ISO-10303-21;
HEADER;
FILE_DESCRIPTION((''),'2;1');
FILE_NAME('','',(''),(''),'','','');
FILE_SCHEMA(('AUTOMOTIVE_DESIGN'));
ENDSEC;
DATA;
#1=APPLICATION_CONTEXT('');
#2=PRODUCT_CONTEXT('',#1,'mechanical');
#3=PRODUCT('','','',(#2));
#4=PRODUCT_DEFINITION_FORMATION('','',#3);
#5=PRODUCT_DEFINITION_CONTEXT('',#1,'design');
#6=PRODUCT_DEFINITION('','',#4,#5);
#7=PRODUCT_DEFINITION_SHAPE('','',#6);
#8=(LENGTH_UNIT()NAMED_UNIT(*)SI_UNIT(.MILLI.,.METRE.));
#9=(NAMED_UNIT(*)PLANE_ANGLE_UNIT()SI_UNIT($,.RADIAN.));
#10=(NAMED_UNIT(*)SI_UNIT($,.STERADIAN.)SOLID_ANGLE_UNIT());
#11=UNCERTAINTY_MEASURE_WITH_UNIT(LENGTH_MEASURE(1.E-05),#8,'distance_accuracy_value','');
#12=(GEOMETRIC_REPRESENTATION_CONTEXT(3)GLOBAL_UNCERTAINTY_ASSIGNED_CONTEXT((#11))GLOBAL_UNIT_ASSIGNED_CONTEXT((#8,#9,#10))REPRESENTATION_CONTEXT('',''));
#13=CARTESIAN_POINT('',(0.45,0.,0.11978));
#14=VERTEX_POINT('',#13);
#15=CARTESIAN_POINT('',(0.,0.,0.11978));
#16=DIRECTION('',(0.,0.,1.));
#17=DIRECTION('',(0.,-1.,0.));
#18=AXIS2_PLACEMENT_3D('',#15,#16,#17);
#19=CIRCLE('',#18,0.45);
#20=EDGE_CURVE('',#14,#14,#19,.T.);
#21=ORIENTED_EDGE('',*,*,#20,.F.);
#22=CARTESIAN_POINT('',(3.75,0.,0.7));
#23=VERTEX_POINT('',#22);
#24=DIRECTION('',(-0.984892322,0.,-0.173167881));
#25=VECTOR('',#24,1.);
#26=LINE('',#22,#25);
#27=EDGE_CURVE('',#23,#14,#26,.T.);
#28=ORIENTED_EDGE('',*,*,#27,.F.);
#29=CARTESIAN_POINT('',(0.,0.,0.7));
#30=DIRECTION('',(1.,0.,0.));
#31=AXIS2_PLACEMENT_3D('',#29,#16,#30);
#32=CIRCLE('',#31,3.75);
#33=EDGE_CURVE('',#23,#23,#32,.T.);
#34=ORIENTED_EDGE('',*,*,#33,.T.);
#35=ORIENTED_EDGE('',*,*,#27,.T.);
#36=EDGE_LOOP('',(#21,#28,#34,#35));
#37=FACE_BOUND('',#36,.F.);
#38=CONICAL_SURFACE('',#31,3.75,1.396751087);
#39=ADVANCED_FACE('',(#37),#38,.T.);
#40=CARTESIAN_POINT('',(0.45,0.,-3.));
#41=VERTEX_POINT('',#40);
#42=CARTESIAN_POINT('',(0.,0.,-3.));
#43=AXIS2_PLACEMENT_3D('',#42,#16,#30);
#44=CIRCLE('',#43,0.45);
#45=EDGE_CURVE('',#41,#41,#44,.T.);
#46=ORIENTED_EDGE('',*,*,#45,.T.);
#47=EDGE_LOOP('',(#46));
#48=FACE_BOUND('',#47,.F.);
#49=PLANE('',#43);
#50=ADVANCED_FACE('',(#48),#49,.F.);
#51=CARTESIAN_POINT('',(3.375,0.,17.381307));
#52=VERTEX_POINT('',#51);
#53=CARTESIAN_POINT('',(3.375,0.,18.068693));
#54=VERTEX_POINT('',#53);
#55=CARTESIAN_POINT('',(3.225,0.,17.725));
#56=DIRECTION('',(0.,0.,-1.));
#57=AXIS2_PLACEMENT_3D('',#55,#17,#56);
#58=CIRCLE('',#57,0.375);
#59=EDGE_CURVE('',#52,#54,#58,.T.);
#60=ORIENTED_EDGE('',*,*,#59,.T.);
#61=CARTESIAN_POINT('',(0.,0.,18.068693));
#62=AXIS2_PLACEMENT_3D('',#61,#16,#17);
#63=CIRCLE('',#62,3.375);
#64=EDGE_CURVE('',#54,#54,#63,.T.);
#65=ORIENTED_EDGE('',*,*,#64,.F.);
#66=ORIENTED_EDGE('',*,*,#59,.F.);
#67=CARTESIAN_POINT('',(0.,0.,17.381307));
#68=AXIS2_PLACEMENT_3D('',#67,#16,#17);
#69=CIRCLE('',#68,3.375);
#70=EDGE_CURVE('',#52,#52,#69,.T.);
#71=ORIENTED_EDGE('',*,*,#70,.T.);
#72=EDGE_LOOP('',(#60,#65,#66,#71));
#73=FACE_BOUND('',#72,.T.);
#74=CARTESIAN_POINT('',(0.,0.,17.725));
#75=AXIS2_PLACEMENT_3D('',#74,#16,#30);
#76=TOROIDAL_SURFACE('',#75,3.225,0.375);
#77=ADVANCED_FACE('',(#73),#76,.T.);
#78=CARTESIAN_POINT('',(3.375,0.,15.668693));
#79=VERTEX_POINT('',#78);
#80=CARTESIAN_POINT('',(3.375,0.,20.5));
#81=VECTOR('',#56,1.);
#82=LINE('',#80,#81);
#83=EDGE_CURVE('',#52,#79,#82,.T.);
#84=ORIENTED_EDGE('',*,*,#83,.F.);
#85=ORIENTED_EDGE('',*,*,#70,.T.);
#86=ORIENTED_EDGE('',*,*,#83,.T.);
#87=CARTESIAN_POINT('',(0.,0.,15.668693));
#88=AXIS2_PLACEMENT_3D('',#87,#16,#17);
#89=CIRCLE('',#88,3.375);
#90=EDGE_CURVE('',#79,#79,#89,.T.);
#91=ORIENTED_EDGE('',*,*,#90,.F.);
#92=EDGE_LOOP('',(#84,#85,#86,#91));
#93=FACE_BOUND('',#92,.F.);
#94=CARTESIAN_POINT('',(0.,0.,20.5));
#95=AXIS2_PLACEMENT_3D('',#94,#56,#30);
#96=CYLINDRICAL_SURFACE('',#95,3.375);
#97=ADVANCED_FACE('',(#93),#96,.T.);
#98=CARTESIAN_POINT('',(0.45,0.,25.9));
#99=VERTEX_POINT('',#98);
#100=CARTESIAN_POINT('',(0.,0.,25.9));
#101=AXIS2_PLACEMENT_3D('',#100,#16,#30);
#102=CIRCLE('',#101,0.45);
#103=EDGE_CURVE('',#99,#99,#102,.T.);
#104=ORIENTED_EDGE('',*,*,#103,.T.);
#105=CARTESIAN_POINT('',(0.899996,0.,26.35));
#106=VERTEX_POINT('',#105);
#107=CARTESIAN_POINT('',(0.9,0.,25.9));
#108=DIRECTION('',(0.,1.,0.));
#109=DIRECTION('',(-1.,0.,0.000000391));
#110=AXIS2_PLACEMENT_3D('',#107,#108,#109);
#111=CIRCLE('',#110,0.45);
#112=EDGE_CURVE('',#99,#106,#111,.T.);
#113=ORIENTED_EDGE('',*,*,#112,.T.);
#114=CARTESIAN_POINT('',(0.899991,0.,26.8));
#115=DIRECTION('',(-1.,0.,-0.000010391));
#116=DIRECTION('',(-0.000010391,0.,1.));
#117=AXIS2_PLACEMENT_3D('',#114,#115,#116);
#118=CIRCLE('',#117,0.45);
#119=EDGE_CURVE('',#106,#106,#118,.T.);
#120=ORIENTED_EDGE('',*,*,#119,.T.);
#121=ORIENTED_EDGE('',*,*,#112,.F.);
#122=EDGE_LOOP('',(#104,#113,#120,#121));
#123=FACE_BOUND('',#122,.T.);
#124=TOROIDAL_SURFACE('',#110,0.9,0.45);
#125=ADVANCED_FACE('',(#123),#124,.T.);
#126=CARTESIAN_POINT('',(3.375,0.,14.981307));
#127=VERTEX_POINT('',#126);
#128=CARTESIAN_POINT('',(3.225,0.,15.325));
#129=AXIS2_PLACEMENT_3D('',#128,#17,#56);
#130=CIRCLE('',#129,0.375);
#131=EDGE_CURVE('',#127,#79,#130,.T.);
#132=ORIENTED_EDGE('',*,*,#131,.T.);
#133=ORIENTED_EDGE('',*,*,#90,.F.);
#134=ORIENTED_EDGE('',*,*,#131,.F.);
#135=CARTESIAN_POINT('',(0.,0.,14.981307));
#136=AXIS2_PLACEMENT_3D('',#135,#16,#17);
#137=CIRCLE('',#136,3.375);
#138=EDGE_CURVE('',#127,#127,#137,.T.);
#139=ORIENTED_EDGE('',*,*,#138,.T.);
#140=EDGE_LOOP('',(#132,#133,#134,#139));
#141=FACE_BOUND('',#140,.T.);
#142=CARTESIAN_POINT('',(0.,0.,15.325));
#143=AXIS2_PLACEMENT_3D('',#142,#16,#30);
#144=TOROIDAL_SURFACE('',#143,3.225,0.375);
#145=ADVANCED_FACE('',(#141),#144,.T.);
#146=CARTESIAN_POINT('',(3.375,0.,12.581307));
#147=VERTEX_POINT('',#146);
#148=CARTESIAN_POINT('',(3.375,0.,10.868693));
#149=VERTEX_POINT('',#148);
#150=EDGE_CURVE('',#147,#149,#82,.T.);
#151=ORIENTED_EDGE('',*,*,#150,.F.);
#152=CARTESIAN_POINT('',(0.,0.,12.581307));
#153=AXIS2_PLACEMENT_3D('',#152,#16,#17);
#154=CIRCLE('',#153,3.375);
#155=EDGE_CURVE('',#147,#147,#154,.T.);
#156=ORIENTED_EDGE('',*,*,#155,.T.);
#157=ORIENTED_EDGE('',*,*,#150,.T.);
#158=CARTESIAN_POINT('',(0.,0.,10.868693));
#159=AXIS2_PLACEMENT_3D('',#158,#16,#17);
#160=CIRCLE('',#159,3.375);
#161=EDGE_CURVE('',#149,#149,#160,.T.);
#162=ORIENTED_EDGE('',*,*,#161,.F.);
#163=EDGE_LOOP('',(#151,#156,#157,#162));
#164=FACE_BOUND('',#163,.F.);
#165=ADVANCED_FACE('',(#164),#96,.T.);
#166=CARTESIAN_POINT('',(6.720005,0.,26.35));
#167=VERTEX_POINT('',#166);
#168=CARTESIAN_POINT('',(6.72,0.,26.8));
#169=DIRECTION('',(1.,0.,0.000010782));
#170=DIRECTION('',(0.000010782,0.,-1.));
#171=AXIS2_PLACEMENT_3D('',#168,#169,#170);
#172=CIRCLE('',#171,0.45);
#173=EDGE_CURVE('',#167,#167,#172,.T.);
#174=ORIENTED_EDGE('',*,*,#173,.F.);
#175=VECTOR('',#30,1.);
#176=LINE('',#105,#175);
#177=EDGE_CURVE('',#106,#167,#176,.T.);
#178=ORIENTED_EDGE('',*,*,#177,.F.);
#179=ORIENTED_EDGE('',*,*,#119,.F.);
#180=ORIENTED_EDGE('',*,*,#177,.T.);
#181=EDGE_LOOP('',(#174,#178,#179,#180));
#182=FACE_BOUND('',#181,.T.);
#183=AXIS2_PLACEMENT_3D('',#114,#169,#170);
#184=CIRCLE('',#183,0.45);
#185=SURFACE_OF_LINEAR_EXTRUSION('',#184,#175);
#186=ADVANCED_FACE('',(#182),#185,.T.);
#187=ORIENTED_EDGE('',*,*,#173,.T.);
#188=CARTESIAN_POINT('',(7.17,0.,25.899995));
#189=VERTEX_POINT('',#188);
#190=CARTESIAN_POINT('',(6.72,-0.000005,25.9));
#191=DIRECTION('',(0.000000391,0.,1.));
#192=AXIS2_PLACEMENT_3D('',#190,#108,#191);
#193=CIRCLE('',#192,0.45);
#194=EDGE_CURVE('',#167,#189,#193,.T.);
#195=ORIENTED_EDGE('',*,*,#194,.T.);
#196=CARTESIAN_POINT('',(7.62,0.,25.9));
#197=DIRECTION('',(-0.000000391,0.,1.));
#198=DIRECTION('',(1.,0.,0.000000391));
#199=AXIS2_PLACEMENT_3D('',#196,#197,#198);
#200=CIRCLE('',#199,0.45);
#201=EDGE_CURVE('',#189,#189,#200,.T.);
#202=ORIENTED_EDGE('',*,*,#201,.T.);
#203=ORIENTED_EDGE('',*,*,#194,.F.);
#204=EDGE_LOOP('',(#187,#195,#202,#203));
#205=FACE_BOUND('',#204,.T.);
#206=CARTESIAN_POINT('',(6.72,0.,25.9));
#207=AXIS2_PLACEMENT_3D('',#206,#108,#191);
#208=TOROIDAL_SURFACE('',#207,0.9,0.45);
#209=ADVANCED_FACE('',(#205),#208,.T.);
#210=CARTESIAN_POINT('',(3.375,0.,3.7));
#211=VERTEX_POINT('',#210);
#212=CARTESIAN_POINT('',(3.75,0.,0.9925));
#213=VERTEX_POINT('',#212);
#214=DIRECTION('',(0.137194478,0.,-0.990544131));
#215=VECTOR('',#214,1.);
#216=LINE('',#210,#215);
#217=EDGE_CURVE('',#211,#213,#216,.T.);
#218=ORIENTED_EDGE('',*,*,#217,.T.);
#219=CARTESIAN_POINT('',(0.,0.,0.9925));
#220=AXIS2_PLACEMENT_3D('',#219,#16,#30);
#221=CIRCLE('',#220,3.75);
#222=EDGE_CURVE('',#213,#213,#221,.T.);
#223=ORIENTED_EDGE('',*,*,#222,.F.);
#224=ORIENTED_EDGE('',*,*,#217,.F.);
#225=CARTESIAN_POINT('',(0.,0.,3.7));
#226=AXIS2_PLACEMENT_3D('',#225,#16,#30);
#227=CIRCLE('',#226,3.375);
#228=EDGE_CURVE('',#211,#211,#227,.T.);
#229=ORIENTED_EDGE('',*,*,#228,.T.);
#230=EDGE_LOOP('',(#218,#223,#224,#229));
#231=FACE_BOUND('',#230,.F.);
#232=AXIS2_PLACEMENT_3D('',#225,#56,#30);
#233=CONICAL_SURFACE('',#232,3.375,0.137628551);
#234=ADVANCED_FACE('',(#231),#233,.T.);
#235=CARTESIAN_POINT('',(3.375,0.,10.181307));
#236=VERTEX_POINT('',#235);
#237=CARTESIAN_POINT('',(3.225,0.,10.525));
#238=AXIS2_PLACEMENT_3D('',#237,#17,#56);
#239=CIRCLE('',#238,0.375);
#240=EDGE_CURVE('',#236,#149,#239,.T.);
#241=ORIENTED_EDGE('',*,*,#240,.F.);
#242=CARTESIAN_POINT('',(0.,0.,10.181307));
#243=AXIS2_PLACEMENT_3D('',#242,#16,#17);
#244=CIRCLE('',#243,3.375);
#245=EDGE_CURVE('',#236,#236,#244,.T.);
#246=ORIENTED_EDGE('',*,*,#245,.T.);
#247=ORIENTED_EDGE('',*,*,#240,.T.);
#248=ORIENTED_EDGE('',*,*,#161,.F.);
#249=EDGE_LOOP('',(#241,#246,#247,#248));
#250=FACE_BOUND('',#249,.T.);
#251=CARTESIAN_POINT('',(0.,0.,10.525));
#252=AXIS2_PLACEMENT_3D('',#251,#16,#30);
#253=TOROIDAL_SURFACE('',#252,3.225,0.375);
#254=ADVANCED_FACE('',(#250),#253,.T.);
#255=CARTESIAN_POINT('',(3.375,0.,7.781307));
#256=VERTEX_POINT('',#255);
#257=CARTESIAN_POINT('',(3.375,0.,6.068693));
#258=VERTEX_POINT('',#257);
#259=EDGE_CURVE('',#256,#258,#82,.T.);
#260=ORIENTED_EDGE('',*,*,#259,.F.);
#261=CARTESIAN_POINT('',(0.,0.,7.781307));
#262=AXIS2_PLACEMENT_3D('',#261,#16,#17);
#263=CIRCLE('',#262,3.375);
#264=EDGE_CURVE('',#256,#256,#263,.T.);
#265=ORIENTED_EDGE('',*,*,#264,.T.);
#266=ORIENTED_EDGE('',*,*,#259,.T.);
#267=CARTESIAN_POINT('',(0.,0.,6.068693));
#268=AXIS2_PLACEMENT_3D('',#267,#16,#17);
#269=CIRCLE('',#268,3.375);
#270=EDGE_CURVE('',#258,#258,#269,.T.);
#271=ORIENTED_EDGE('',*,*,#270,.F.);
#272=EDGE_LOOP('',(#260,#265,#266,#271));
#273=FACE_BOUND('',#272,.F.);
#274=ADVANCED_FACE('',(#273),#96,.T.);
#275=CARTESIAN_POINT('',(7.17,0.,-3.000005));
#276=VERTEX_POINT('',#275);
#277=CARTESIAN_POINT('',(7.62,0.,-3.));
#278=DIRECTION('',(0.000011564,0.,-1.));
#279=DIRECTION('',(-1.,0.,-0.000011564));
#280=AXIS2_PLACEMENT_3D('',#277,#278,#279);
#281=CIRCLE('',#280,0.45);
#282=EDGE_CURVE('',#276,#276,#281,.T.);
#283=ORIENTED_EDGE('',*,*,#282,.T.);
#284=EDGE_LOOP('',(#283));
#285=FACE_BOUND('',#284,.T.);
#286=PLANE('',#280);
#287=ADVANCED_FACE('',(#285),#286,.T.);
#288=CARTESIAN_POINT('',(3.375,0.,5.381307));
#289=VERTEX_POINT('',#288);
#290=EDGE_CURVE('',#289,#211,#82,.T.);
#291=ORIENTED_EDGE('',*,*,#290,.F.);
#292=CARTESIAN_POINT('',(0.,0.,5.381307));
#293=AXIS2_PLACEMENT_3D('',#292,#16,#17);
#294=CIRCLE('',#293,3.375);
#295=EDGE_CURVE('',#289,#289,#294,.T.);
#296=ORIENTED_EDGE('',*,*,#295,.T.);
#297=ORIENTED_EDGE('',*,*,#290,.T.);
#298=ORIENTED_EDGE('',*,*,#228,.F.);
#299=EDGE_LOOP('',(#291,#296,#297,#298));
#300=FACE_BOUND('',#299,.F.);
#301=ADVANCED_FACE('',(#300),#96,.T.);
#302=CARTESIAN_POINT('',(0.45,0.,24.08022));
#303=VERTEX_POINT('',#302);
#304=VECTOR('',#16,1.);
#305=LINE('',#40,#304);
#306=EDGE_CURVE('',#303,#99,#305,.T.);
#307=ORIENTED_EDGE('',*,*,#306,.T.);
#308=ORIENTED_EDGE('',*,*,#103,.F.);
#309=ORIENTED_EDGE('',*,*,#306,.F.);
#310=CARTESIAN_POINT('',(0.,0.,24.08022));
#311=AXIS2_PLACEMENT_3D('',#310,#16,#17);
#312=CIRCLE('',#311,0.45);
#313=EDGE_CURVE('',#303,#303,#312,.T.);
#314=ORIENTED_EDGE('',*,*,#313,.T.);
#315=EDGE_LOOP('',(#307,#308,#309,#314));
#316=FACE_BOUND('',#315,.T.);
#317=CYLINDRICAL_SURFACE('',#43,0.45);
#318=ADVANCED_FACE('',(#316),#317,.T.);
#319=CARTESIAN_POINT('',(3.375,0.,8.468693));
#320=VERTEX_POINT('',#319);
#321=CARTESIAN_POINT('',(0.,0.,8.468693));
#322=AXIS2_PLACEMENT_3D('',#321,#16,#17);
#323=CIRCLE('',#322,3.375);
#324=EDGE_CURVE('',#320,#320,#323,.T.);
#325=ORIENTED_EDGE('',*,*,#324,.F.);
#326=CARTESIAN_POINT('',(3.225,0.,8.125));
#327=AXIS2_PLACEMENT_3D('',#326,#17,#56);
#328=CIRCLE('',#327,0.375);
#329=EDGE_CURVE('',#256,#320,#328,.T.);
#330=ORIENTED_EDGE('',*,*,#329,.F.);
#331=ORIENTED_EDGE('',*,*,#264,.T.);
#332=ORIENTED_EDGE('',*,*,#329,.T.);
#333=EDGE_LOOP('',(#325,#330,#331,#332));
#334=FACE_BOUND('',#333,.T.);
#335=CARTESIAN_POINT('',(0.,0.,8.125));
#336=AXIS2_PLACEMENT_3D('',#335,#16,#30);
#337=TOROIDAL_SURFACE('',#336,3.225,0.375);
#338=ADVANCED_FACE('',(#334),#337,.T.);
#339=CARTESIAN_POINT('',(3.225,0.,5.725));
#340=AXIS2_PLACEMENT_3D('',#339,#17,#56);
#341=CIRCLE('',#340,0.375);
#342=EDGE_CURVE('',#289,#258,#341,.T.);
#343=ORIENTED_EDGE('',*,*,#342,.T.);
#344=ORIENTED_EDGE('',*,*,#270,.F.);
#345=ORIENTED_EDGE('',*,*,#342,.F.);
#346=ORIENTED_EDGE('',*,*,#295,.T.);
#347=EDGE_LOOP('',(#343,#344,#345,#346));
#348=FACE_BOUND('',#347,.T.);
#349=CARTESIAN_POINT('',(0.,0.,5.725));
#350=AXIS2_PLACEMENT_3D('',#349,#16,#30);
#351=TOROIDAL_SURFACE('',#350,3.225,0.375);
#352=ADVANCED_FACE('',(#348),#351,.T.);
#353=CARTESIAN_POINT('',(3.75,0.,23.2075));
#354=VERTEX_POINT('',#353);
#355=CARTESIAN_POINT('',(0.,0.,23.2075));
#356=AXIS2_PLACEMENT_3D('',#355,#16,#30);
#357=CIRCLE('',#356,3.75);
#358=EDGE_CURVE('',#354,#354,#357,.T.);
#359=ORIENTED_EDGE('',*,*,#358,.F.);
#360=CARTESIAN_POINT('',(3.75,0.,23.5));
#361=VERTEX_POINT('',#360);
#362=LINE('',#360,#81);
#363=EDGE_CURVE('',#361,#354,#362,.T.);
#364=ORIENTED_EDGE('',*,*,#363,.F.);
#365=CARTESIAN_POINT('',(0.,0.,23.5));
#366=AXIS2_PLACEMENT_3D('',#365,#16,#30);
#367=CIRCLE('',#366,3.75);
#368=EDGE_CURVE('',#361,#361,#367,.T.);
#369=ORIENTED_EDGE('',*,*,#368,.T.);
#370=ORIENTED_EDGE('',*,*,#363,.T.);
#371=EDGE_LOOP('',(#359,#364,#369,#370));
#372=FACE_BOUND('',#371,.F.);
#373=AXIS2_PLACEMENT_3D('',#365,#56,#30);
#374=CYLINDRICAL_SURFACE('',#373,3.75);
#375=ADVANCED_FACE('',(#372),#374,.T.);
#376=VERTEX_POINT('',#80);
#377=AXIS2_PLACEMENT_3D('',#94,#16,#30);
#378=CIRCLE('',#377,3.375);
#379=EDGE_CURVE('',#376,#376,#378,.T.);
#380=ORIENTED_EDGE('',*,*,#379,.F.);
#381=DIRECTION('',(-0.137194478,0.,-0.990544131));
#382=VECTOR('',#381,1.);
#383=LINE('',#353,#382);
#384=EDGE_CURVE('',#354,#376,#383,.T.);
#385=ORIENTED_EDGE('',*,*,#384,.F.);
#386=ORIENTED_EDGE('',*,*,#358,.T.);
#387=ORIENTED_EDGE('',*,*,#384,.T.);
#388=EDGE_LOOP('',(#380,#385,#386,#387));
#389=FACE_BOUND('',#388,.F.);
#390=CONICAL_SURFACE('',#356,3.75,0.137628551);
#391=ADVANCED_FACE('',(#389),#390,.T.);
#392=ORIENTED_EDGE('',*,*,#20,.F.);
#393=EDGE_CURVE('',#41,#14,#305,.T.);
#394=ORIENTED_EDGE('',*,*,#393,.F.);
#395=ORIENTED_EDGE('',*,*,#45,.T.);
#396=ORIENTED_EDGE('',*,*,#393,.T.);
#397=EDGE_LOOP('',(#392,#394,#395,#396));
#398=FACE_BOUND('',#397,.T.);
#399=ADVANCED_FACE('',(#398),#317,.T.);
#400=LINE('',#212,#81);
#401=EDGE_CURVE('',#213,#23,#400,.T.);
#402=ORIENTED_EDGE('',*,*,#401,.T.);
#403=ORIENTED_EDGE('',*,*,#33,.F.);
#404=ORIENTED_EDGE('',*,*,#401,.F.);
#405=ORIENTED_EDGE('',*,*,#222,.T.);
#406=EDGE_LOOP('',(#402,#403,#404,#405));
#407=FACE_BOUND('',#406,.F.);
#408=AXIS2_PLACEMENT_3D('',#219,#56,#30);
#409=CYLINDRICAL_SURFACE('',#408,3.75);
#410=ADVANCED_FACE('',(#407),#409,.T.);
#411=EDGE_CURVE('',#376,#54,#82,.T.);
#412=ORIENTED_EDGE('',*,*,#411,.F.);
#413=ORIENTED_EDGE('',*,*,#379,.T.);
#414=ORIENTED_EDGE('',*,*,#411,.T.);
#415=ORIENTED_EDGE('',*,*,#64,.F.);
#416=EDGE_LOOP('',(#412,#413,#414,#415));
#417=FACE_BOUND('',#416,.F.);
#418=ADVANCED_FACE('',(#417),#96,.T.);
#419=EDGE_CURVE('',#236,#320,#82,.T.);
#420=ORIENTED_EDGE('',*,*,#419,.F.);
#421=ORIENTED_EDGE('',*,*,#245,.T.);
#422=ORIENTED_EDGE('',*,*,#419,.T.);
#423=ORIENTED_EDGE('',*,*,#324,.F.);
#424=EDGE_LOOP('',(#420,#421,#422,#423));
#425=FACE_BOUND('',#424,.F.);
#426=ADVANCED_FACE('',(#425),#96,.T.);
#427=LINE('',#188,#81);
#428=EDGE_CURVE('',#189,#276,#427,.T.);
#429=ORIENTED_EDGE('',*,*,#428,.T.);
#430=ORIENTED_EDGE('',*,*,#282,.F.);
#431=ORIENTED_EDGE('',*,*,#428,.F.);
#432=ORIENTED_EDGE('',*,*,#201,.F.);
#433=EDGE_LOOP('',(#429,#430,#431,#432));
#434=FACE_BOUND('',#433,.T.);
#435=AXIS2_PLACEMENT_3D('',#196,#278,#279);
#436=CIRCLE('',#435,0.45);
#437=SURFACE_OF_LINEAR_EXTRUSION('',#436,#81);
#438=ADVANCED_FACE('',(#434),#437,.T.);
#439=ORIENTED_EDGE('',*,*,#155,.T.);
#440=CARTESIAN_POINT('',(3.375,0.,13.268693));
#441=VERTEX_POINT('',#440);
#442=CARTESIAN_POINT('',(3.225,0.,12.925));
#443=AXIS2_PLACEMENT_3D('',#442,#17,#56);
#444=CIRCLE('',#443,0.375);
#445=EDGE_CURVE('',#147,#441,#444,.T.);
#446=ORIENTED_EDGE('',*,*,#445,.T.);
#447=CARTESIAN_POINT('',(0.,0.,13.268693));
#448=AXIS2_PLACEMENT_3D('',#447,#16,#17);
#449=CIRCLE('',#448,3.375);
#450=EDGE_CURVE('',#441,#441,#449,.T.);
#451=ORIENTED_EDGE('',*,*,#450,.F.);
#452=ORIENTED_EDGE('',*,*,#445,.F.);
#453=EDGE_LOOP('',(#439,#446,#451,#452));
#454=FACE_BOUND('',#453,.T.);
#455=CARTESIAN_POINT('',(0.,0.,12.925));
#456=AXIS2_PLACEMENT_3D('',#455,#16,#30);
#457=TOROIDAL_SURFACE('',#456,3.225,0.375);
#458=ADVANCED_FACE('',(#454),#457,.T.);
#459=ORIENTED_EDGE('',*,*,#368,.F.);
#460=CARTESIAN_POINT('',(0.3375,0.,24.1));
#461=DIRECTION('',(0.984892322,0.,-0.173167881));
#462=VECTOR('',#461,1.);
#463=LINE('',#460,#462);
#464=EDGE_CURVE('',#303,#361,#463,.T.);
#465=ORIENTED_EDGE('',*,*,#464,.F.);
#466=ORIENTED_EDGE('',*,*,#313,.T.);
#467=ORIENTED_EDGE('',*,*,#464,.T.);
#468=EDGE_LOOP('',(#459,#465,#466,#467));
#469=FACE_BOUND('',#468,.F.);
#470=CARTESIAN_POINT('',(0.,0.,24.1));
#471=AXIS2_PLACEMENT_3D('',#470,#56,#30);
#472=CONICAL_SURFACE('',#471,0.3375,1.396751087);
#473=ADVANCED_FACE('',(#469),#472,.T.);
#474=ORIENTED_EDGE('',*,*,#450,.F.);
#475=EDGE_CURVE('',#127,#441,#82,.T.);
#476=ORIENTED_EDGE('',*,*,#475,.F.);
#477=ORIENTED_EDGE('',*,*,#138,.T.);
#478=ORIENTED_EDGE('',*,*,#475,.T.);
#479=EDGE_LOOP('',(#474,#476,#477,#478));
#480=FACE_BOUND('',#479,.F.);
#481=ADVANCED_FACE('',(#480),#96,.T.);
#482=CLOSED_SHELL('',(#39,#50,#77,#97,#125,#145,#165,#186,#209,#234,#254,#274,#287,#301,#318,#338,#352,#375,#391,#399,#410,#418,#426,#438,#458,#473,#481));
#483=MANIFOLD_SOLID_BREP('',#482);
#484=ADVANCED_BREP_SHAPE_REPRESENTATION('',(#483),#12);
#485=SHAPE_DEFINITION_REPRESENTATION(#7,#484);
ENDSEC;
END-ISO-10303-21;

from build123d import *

# Parameters (mm, degrees)
SKETCH_R = 0.45


with BuildPart() as revolution:
    # Sketch002 → Revolution (revolve)
    with BuildSketch(Plane.XZ):
        Polygon((0, 0.1), (0, 24.1), (0.3375, 24.1), (3.75, 23.5), (3.75, 23.2075), (3.375, 20.5), (3.375, 3.7), (3.75, 0.9925), (3.75, 0.7), (0.3375, 0.1), align=None)
    revolve(axis=Axis((0, 0, 0), (0, 0, 1)))


with BuildPart() as sweep_body:
    # Sweep: sweep along a path in Sketch001
    with BuildLine(Plane.XZ) as sweep_path:
        Line((0, -3), (0, 25.9))
        ThreePointArc((0, 25.9), (0.263601, 26.536393), (0.899991, 26.8))
        Line((0.899991, 26.8), (6.72, 26.8))
        ThreePointArc((6.72, 26.8), (7.356396, 26.536396), (7.62, 25.9))
        Line((7.62, 25.9), (7.62, -3))
    # Sketch → Sweep (sweep)
    with BuildSketch(Plane.XY.offset(-2)):
        Circle(SKETCH_R)
    sweep(path=sweep_path.line)


with BuildPart() as revolution001_mp_cp:
    # Sketch003 → Revolution001 (revolve)
    with BuildSketch(Plane.XZ):
        with BuildLine():
            Line((3, 19.75), (3, 3.7))
            Line((3, 3.7), (3.225, 3.7))
            Line((3.225, 3.7), (3.225, 5.35))
            ThreePointArc((3.225, 5.35), (3.6, 5.725), (3.225, 6.1))
            Line((3.225, 6.1), (3.225, 7.75))
            ThreePointArc((3.225, 7.75), (3.6, 8.125), (3.225, 8.5))
            Line((3.225, 8.5), (3.225, 10.15))
            ThreePointArc((3.225, 10.15), (3.6, 10.525), (3.225, 10.9))
            Line((3.225, 10.9), (3.225, 12.55))
            ThreePointArc((3.225, 12.55), (3.6, 12.925), (3.225, 13.3))
            Line((3.225, 13.3), (3.225, 14.95))
            ThreePointArc((3.225, 14.95), (3.6, 15.325), (3.225, 15.7))
            Line((3.225, 15.7), (3.225, 17.35))
            ThreePointArc((3.225, 17.35), (3.6, 17.725), (3.225, 18.1))
            Line((3.225, 19.75), (3.225, 18.1))
            Line((3, 19.75), (3.225, 19.75))
        make_face()
    revolve(axis=Axis((0, 0, 0), (0, 0, 1)))

    # Revolution001_mp_cp: union Revolution, Sweep body
    add(revolution.part)
    add(sweep_body.part)


solid = revolution001_mp_cp.part
